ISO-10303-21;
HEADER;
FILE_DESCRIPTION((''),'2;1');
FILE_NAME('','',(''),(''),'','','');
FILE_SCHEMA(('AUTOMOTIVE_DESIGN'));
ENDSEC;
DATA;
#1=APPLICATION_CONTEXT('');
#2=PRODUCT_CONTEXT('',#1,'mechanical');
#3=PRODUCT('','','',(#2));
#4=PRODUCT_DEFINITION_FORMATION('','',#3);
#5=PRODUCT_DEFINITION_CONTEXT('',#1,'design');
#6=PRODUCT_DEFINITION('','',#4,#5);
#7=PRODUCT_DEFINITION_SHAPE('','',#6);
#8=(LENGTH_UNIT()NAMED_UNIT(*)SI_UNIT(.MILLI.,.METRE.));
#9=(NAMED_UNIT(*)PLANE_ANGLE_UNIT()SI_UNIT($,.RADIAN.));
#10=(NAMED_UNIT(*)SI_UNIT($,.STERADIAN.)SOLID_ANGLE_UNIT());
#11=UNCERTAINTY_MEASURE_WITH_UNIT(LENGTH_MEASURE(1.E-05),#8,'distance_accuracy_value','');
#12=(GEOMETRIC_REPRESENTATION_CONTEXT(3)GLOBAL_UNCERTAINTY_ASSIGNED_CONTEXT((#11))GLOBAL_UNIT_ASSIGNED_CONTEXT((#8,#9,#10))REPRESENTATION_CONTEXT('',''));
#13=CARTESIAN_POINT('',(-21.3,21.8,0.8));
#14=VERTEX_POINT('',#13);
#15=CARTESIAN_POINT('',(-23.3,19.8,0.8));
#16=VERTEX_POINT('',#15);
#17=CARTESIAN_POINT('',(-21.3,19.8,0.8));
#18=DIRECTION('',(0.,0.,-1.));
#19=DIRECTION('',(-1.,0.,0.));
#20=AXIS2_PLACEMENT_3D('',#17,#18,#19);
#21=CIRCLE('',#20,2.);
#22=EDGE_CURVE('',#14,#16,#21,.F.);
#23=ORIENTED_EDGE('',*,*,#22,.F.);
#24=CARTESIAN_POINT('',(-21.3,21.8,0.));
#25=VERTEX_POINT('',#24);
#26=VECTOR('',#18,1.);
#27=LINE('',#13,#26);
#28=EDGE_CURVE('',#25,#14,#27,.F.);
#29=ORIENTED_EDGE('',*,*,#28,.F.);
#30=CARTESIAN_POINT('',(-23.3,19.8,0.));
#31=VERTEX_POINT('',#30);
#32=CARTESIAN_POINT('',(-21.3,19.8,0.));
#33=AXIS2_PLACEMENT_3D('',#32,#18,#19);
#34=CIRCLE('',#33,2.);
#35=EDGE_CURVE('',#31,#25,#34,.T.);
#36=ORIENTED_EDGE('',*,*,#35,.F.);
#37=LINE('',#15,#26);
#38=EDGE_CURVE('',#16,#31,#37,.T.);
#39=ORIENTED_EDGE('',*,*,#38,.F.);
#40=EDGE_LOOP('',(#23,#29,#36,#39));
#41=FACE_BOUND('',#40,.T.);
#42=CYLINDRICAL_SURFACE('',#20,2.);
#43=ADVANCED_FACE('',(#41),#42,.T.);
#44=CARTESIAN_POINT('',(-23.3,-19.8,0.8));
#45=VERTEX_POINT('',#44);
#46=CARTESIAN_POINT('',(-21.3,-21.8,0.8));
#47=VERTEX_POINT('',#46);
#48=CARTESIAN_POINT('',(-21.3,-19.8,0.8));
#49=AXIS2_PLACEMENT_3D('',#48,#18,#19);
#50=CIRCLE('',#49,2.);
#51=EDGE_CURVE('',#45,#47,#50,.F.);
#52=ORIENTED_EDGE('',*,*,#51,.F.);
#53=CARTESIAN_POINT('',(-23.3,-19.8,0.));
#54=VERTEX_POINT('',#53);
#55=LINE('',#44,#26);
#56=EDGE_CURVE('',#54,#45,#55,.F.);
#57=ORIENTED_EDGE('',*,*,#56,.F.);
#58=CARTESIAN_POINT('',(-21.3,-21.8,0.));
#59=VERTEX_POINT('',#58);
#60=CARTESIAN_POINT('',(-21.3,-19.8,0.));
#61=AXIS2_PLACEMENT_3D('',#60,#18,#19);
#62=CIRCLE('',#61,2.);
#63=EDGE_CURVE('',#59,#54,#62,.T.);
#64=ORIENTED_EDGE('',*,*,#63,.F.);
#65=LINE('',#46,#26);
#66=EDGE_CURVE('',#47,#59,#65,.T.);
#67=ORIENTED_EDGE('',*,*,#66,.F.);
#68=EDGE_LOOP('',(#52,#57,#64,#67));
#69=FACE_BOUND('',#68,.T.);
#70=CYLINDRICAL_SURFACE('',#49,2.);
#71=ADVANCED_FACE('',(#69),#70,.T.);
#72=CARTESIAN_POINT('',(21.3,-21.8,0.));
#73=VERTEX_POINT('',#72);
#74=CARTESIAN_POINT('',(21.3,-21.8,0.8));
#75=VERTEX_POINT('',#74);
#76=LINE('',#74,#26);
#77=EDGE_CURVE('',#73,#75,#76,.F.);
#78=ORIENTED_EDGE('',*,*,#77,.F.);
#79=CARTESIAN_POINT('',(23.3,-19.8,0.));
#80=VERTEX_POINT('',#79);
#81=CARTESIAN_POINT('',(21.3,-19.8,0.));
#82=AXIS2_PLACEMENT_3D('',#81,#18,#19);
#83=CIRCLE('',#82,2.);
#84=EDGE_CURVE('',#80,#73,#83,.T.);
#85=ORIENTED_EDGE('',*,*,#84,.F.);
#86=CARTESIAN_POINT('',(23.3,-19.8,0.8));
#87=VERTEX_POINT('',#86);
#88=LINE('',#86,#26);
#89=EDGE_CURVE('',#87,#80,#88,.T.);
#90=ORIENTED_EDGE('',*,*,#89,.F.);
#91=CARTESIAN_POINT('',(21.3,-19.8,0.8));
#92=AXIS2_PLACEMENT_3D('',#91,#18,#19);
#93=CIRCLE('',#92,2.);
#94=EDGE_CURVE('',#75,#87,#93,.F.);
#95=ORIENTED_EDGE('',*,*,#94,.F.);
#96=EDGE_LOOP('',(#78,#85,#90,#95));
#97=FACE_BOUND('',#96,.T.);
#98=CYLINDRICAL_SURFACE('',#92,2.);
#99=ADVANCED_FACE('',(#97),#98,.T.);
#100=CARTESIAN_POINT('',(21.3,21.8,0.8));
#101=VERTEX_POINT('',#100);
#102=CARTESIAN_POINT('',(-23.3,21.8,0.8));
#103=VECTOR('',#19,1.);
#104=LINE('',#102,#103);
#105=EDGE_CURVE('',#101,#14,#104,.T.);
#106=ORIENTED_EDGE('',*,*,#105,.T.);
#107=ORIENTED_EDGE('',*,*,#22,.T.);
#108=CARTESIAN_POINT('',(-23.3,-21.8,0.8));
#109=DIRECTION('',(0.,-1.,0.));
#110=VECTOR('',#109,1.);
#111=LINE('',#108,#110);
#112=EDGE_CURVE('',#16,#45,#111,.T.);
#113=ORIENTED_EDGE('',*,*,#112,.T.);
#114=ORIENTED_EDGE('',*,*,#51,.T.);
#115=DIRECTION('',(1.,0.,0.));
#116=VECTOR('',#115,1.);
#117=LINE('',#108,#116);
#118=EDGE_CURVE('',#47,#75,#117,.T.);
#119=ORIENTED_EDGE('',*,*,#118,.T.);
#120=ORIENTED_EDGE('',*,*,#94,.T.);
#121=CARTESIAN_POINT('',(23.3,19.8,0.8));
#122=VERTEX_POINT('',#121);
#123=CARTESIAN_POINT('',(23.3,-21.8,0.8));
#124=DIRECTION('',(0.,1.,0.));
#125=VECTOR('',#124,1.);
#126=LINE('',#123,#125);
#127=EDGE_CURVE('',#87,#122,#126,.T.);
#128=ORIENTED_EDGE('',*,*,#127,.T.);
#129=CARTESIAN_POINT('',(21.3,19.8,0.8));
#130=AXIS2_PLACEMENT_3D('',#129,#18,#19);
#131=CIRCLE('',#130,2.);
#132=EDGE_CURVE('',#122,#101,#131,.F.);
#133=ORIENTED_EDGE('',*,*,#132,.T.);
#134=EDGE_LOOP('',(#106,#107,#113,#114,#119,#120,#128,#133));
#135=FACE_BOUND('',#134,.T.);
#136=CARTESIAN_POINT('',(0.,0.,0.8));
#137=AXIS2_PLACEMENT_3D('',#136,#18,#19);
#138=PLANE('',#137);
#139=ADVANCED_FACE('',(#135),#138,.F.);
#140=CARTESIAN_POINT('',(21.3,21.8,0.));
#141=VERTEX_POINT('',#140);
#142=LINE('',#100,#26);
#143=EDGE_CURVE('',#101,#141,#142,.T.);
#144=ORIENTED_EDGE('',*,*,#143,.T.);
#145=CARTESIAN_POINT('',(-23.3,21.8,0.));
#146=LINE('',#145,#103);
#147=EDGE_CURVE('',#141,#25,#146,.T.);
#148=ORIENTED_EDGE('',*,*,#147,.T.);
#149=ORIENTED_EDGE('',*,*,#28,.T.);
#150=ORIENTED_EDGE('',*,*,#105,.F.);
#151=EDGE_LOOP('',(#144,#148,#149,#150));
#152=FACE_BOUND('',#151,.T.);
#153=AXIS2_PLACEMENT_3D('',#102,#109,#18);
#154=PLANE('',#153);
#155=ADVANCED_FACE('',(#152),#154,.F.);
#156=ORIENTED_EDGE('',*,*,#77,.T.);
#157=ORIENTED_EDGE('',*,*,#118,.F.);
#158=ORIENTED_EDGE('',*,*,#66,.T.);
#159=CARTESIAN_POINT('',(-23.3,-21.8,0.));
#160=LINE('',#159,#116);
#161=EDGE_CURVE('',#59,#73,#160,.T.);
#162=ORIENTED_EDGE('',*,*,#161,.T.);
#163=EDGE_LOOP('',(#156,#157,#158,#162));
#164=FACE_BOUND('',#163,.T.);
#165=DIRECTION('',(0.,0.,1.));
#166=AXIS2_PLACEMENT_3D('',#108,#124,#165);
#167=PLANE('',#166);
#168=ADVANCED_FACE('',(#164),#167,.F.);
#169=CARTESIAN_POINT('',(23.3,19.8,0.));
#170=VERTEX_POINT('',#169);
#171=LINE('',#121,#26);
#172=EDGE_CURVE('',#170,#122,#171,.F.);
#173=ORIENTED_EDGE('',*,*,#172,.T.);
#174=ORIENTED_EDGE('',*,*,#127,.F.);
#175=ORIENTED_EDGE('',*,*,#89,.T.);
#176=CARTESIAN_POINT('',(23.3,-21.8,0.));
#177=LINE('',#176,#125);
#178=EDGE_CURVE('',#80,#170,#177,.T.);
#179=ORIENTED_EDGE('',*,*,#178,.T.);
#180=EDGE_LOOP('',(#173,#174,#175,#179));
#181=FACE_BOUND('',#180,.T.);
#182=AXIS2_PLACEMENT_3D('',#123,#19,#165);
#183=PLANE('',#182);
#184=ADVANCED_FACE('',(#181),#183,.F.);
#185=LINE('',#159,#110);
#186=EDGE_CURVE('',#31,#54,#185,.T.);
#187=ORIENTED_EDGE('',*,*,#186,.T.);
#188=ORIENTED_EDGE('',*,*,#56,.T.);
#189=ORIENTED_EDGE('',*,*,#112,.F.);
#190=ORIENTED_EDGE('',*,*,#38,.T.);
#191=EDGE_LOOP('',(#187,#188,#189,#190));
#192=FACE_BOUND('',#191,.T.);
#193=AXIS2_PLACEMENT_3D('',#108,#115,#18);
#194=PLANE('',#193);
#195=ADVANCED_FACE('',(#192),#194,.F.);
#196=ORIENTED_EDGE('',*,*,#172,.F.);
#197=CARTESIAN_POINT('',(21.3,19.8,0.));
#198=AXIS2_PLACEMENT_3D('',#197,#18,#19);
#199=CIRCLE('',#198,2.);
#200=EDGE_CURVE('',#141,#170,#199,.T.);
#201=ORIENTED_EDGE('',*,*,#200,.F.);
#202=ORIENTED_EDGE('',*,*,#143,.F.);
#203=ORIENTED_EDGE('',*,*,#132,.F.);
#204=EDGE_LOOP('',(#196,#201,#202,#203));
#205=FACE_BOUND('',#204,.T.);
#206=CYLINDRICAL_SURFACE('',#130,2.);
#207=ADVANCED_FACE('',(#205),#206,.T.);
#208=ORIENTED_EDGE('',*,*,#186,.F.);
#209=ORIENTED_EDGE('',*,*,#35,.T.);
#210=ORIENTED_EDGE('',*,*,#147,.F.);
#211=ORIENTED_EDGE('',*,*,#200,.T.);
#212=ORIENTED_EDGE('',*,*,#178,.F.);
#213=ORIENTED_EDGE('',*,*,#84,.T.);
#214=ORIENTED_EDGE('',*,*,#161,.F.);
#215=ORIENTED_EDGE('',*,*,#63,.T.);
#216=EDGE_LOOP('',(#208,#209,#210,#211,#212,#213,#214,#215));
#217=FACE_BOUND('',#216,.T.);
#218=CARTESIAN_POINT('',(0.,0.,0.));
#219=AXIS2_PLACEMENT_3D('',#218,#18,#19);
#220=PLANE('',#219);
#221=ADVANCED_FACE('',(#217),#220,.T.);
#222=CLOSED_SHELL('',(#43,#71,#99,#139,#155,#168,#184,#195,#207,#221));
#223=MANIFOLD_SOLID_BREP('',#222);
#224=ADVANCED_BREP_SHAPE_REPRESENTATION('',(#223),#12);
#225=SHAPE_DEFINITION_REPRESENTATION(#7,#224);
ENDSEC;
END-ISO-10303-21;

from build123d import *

# Parameters (mm, degrees)
SKETCH_1_W      = 46.6
SKETCH_1_H      = 43.6
EXTRUDE_1_DEPTH = 0.8
FILLET_2_R      = 2


with BuildPart() as part:
    # ｽｹｯﾁ1 → ﾎﾞｽ - 押し出し1 (new body)
    with BuildSketch(Plane.XY):
        Rectangle(SKETCH_1_W, SKETCH_1_H)
    extrude(amount=EXTRUDE_1_DEPTH)

    # ﾌｨﾚｯﾄ2
    fillet_2_edges = [part.edges().sort_by_distance(p)[0] for p in [
        (23.3, -21.8, 0.4),
        (-23.3, -21.8, 0.4),
        (-23.3, 21.8, 0.4),
        (23.3, 21.8, 0.4),
    ]]
    fillet(fillet_2_edges, radius=FILLET_2_R)


solid = part.part
